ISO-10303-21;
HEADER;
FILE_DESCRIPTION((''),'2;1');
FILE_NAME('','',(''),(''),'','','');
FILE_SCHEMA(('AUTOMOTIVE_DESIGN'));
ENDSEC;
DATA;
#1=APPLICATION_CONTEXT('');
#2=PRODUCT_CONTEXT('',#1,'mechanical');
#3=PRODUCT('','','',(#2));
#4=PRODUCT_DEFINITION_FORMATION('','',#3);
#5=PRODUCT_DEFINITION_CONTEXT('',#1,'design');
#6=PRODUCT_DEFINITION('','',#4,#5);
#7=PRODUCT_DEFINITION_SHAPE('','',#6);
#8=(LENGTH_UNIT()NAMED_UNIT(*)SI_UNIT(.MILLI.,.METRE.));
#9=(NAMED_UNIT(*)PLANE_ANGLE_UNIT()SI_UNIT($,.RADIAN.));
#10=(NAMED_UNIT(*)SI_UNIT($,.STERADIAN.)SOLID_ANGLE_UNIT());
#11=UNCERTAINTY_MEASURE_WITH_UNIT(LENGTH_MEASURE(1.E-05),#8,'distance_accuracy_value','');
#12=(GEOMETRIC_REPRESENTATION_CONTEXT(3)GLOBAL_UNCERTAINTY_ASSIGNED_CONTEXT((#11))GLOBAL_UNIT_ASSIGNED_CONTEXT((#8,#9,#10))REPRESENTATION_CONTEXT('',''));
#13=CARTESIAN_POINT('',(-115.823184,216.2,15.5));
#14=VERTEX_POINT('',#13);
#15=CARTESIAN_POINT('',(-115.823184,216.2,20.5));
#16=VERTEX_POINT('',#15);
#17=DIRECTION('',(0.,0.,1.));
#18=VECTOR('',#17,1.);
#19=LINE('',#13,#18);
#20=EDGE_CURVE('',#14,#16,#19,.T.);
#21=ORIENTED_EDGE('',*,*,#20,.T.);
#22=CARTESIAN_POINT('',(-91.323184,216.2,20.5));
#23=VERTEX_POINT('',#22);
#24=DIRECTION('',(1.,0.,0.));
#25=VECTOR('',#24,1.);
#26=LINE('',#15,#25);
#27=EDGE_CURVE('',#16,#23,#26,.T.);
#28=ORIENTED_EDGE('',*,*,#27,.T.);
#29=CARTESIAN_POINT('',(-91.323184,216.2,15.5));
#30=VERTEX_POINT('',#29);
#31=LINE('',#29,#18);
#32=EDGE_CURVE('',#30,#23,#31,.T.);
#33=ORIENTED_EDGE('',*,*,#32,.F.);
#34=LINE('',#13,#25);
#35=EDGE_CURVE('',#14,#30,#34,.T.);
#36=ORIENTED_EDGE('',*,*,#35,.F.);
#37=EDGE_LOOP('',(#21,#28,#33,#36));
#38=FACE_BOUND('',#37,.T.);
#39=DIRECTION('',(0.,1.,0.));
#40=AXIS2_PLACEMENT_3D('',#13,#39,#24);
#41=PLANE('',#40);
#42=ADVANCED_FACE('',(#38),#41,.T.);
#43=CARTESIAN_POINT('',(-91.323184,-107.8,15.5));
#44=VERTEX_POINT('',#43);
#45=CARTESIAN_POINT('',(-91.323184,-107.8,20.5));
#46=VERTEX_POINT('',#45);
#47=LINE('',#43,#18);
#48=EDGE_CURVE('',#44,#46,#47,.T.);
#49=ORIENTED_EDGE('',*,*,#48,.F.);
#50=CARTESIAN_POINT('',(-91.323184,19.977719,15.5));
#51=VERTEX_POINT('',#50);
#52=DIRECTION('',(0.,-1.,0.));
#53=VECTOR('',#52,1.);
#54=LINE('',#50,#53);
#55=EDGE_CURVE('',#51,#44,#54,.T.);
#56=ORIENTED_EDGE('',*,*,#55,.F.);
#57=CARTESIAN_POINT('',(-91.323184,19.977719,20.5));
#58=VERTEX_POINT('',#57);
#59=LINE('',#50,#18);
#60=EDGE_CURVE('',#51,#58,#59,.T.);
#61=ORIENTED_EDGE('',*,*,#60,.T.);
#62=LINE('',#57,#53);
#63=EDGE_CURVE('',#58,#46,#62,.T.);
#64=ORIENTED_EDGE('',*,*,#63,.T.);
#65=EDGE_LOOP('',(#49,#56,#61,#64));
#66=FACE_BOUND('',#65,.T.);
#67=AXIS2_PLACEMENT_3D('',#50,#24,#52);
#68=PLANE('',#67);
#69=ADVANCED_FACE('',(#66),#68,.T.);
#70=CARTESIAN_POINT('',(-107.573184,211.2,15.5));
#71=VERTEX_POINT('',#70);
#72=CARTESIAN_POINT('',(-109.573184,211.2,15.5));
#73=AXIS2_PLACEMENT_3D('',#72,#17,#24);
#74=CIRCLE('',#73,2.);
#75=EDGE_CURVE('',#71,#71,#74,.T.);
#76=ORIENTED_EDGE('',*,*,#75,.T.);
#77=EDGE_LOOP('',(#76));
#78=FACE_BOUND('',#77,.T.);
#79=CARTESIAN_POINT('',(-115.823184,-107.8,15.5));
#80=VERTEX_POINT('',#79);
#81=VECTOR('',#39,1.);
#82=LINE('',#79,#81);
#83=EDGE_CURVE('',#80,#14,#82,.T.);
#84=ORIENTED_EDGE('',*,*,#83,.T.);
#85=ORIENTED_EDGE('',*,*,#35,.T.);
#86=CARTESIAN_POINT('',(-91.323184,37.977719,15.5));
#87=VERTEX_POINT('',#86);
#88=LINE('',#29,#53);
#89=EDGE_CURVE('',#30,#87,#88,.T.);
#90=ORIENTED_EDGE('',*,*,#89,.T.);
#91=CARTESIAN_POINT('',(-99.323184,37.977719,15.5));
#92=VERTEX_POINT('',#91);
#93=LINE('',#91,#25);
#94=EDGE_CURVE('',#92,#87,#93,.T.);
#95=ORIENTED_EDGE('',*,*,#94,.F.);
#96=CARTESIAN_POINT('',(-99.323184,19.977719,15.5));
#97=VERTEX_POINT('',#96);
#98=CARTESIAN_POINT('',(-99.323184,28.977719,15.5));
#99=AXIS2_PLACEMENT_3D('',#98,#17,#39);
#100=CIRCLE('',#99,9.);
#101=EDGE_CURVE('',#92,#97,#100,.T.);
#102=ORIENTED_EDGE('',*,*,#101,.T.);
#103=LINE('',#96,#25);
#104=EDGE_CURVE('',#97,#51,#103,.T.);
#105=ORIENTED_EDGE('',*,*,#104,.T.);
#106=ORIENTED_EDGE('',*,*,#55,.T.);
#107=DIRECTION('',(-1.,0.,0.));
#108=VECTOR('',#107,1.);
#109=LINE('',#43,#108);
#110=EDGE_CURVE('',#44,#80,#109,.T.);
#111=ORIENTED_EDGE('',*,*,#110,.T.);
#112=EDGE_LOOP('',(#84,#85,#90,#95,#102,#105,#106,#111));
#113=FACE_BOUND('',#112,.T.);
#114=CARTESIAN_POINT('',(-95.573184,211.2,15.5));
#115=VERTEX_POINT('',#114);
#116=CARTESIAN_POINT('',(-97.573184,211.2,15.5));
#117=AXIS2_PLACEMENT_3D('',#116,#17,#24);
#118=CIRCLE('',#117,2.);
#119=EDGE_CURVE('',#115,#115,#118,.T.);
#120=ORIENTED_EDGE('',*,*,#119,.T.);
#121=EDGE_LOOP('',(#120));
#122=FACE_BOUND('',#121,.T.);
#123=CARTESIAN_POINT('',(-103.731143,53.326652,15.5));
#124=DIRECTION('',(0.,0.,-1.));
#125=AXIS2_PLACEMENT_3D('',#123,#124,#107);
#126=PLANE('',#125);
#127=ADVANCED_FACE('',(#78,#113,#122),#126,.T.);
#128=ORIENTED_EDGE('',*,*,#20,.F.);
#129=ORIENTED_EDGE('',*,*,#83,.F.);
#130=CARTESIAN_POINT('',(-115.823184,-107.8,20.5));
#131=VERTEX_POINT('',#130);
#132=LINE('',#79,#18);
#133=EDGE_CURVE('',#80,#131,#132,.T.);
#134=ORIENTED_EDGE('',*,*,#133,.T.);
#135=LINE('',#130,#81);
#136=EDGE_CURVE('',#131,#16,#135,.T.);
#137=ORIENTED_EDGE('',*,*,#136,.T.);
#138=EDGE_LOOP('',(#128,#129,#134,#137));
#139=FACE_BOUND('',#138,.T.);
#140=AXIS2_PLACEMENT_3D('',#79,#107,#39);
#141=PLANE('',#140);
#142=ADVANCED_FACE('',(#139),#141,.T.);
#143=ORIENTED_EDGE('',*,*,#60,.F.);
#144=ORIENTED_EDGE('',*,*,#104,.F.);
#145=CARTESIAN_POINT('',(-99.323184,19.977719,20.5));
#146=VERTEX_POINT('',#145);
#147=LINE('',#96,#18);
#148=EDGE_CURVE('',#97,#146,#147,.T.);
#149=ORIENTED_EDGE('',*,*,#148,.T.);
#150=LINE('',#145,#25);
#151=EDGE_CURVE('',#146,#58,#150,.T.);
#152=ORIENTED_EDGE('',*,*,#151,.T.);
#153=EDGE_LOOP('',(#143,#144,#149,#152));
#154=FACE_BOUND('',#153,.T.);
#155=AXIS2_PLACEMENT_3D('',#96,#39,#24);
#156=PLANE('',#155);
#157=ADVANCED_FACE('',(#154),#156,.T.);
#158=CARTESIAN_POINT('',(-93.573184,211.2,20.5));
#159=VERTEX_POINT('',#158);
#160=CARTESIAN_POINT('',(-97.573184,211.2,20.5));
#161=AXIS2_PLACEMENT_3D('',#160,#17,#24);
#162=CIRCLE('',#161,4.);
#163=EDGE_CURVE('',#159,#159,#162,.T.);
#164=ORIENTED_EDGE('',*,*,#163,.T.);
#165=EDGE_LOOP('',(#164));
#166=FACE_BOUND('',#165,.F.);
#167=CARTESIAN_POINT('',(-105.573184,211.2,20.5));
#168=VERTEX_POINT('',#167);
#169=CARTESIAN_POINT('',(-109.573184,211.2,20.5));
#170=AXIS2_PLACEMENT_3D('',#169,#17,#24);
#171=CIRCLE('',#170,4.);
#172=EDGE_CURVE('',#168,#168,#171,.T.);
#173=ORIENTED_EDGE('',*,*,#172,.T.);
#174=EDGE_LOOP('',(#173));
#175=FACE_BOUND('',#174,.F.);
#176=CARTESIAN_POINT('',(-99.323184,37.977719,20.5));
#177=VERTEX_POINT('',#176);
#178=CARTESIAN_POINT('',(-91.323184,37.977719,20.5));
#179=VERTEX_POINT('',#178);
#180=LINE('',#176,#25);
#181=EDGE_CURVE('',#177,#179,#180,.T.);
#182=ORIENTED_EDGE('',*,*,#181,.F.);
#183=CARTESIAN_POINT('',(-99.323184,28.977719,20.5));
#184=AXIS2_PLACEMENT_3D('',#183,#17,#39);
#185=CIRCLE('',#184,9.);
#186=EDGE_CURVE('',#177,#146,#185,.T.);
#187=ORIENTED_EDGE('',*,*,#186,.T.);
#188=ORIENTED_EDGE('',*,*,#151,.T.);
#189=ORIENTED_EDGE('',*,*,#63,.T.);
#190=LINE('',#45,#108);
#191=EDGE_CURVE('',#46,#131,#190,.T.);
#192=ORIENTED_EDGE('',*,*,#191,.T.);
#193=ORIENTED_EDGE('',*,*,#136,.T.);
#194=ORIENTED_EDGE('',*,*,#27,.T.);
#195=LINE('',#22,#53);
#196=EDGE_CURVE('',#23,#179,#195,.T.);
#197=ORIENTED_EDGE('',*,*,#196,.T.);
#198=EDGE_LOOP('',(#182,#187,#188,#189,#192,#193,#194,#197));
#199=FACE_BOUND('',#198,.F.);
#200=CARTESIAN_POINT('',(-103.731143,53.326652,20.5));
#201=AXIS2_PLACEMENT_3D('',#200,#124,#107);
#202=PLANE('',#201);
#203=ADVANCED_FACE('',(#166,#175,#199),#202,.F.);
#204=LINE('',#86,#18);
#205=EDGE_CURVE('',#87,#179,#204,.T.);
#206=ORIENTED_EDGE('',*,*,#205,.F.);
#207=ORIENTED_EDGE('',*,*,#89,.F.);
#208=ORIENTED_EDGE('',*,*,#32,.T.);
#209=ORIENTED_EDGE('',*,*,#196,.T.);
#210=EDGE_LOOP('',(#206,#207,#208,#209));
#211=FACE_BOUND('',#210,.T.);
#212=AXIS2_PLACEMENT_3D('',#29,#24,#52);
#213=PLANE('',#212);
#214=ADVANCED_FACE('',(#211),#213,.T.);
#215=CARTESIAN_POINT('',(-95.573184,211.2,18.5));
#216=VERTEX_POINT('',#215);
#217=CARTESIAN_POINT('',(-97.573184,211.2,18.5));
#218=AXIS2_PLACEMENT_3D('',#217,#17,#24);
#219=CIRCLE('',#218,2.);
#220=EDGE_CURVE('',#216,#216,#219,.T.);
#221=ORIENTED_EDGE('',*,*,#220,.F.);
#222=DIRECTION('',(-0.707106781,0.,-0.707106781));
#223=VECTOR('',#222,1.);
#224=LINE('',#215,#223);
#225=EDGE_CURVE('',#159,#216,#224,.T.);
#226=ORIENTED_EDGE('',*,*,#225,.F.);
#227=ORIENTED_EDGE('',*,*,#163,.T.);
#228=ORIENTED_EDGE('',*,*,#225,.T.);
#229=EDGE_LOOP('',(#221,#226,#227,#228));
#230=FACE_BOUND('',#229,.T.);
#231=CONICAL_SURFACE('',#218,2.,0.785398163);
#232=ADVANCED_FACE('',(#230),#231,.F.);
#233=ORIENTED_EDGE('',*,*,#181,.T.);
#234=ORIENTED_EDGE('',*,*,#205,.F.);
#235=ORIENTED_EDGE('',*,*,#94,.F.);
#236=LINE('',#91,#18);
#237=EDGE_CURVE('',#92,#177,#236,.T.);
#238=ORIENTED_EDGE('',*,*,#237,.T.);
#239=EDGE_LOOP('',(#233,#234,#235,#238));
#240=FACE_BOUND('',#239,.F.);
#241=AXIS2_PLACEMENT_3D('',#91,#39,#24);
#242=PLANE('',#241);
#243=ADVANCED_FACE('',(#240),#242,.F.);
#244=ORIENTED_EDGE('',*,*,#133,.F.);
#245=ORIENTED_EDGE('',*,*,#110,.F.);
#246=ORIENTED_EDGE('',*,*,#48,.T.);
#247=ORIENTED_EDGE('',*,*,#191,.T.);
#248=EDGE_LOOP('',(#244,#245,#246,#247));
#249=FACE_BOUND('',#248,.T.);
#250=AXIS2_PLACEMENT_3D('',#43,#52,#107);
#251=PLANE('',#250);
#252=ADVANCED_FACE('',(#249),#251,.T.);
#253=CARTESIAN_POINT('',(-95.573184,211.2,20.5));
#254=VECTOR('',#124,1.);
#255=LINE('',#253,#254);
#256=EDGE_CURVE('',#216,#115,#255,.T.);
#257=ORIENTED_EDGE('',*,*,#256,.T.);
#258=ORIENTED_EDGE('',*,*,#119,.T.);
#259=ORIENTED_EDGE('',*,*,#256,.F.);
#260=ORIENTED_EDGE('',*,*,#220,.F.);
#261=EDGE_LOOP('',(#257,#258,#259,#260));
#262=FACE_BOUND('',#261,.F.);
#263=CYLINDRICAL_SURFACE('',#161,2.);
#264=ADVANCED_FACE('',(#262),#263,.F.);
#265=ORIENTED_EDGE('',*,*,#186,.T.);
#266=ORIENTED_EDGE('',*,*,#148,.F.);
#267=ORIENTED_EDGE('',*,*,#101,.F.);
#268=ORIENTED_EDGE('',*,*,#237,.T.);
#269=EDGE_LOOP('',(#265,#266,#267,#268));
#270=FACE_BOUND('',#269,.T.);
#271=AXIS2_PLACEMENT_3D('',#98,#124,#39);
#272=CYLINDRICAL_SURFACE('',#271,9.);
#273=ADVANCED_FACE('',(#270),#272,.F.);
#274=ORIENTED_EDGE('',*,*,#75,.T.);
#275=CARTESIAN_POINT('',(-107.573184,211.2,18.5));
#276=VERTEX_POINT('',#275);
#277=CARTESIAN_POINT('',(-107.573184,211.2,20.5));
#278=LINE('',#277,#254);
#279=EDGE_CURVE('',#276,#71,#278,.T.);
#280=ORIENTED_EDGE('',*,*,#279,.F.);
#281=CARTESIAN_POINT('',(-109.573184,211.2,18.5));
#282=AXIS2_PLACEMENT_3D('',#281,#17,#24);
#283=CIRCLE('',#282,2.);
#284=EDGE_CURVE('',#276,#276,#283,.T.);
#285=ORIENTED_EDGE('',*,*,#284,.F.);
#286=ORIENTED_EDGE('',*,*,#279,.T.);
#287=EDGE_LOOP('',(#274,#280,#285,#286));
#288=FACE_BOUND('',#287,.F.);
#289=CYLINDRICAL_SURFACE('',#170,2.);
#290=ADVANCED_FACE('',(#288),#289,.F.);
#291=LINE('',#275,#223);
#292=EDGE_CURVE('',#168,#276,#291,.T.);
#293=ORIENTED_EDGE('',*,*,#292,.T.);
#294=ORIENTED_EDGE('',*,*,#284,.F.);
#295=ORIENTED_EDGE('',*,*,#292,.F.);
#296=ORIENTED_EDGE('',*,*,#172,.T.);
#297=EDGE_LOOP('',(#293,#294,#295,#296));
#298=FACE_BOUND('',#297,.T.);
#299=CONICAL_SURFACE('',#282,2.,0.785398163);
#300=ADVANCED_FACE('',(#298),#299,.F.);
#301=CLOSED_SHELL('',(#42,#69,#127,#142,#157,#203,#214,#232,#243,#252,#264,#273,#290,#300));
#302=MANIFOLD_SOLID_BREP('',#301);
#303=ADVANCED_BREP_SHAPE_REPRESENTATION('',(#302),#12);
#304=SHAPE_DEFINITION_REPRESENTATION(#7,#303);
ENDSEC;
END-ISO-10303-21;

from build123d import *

# Parameters (mm, degrees)
PAD027_DEPTH    = 5
SKETCH059_R     = 2
POCKET037_DEPTH = 5.001
CHAMFER021_SIZE = 2


with BuildPart() as part:
    # Sketch054 → Pad027 (new body)
    with BuildSketch(Plane.XY):
        with BuildLine():
            Line((8.676816, 19.977719), (8.676816, -107.8))
            Line((8.676816, -107.8), (-15.823184, -107.8))
            Line((-15.823184, -107.8), (-15.823184, 216.2))
            Line((-15.823184, 216.2), (8.676816, 216.2))
            Line((8.676816, 216.2), (8.676816, 37.977719))
            Line((0.676816, 37.977719), (8.676816, 37.977719))
            ThreePointArc((0.676816, 37.977719), (-8.323184, 28.977719), (0.676816, 19.977719))
            Line((0.676816, 19.977719), (8.676816, 19.977719))
        make_face()
    extrude(amount=PAD027_DEPTH)

    # Sketch059 (on Face10 of Pad027) → Pocket037 (cut, through all)
    with BuildSketch(Plane.XY.offset(5)):
        with Locations((-9.573184, 211.2)):
            Circle(SKETCH059_R)
        with Locations((2.426816, 211.2)):
            Circle(SKETCH059_R)
    extrude(amount=-POCKET037_DEPTH, mode=Mode.SUBTRACT)

    # Chamfer021
    chamfer021_edges = [part.edges().sort_by_distance(p)[0] for p in [
        (-11.573184, 211.2, 5),
        (0.426816, 211.2, 5),
    ]]
    chamfer(chamfer021_edges, length=CHAMFER021_SIZE)


with BuildPart() as part_1:
    # Body020 placement: moved
    add(part.part.moved(Location((-100, 0, 15.5))))


solid = part_1.part
